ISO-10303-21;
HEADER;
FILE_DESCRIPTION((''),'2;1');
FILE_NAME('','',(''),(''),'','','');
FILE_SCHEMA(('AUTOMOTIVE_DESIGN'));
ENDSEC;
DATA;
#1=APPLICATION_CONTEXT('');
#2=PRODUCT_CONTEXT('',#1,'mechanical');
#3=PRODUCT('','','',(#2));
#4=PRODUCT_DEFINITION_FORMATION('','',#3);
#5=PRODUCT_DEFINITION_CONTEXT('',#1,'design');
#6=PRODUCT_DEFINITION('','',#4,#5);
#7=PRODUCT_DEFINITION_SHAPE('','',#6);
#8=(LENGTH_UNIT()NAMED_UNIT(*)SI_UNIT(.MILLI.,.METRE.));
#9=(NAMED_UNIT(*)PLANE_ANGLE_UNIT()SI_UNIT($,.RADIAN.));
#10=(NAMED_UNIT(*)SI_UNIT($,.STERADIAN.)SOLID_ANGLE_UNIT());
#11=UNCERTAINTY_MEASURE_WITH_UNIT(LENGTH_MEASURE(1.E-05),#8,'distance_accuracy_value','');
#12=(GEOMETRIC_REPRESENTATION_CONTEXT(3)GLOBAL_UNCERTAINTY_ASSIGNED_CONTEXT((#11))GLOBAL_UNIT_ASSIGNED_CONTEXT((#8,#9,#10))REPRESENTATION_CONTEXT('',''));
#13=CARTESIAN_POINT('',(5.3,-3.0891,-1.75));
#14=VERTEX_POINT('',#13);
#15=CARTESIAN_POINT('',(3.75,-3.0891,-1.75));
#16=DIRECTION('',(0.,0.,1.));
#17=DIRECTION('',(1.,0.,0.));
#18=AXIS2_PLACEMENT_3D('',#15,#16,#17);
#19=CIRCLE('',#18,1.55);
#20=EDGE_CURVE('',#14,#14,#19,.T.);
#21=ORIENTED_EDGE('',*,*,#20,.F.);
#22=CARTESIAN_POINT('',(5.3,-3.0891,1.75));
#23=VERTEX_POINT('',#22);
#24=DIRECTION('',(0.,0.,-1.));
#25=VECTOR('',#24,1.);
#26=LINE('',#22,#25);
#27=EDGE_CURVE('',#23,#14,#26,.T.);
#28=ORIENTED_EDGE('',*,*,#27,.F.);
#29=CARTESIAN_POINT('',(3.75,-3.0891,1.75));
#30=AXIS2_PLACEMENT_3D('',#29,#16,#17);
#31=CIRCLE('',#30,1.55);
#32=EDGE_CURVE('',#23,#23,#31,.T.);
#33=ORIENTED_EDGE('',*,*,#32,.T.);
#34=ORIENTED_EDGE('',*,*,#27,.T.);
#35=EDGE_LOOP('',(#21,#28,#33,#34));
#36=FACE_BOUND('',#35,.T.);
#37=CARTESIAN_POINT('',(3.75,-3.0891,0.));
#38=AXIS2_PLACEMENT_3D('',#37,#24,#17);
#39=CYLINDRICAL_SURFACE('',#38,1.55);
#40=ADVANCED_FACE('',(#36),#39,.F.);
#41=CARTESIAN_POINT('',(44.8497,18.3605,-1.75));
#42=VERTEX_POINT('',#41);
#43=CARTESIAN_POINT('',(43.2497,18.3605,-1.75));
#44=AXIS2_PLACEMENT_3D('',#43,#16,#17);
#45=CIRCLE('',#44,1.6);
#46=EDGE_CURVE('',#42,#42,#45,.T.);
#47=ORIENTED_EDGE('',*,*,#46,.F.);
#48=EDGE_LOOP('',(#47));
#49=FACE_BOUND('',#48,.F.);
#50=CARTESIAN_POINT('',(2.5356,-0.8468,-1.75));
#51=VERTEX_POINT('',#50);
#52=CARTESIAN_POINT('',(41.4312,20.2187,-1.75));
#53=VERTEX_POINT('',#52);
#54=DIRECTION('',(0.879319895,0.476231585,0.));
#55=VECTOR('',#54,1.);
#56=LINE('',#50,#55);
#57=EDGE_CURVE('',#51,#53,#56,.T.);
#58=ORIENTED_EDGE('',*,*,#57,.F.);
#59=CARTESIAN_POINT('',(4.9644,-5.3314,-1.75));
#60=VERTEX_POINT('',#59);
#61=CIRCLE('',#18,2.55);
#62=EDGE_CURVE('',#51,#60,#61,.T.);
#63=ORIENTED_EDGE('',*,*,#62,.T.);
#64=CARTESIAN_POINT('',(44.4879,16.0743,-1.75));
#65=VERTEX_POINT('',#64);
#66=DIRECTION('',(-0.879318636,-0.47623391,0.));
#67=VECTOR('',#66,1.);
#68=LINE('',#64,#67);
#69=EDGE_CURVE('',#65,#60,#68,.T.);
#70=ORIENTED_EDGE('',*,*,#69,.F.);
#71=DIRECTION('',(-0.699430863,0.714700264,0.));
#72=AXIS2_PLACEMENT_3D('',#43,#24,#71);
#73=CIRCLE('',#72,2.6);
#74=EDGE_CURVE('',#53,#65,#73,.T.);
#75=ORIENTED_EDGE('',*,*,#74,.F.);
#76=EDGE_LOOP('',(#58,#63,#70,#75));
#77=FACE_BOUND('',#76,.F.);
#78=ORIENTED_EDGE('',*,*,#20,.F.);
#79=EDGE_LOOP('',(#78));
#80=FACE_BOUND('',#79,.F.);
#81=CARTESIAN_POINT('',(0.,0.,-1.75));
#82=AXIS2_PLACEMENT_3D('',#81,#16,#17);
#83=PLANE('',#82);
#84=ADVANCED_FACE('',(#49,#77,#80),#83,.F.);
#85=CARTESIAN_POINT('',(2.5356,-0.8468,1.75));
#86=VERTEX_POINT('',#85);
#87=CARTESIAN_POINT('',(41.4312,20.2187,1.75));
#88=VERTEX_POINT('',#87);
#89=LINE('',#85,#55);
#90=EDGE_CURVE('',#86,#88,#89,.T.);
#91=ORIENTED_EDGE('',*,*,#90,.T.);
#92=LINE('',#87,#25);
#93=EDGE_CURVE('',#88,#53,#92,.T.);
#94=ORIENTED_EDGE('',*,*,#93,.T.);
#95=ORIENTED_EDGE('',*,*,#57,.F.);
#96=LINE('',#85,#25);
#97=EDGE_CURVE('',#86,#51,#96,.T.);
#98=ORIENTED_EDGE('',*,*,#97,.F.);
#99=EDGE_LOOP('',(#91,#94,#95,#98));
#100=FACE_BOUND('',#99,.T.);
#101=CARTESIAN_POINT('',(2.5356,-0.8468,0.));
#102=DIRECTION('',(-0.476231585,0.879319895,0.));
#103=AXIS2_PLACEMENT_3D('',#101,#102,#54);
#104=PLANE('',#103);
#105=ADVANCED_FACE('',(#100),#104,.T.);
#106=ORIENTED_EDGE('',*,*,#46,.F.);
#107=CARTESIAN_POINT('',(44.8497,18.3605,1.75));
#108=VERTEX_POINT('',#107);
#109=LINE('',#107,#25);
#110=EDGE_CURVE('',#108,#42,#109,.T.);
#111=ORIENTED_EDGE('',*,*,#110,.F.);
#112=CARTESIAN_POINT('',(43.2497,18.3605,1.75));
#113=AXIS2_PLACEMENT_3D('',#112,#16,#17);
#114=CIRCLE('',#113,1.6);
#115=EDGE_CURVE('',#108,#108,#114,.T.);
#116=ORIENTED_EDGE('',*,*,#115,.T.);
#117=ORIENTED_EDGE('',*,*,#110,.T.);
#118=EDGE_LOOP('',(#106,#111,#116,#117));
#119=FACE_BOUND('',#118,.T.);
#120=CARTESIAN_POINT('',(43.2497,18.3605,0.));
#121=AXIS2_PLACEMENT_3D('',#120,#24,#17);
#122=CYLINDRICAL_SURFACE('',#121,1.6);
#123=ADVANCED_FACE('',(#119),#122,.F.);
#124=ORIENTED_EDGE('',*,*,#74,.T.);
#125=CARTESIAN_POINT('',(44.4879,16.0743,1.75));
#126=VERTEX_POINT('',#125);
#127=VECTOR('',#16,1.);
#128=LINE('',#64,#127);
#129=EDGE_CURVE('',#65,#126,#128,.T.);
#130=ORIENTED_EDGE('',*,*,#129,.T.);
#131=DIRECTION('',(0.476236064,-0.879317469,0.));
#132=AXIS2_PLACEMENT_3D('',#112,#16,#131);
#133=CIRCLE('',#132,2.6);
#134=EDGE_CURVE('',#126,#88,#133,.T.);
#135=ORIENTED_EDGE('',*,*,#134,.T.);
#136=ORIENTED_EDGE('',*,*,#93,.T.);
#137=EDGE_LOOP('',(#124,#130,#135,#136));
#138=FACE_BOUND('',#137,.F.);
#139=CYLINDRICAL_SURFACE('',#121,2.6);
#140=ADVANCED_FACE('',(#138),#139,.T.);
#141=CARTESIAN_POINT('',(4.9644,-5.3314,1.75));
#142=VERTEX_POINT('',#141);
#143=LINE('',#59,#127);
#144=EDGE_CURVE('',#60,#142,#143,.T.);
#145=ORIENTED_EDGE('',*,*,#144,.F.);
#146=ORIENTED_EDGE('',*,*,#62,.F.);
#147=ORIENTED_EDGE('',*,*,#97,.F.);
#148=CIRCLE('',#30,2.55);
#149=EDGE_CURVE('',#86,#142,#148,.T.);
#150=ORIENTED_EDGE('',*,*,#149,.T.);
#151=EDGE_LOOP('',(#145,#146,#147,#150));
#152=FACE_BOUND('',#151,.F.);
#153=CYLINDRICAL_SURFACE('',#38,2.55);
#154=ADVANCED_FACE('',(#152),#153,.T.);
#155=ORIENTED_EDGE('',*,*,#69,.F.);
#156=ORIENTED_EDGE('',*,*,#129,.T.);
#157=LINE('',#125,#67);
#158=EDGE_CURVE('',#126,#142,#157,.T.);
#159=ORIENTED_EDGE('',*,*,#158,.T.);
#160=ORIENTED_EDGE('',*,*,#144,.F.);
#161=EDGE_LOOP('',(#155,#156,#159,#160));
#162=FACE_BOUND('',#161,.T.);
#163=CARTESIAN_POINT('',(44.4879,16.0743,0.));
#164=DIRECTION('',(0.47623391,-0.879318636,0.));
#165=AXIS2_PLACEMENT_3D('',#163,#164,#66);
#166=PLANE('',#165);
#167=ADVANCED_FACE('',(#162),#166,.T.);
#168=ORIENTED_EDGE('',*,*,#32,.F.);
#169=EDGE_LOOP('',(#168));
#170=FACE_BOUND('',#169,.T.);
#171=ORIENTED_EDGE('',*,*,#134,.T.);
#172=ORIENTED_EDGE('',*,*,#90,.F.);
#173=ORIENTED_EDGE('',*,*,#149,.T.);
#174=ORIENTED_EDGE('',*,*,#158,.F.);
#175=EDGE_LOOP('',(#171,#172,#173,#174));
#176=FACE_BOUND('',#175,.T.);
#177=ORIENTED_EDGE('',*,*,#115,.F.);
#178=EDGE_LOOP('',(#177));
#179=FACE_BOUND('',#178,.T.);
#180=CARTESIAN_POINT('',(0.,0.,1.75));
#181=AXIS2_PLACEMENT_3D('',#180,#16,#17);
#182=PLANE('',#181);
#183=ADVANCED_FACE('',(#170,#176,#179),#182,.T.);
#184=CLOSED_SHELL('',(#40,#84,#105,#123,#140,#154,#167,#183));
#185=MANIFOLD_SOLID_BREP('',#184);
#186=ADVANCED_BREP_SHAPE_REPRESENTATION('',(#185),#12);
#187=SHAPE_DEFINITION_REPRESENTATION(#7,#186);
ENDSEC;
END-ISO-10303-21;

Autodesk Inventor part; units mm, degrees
ref_plane "YZ Plane" through (0, 0, 0) normal (1, 0, 0) x (0, 1, 0)
ref_plane "XZ Plane" through (0, 0, 0) normal (0, 1, 0) x (-1, 0, 0)
ref_plane "XY Plane" through (0, 0, 0) normal (0, 0, 1) x (1, 0, 0)
sketch "Sketch1" plane through (0, 0, 0) normal (0, 0, 1) x (1, 0, 0)
  circle A0 centre (3.75, -3.0891) radius 1.55 projected
  circle A1 centre (43.2497, 18.3605) radius 1.6 projected
  circle A2 centre (3.75, -3.0891) radius 2.55
  circle A3 centre (43.2497, 18.3605) radius 2.6
  line L0 (2.5356, -0.8468) -> (41.4312, 20.2187)
  line L1 (44.4879, 16.0743) -> (4.9644, -5.3314)
  point P0 (0, 0)
  dimension "d0" = 1
  dimension "d1" = 1
extrude "Extrusion1" add sketch "Sketch1" along normal mid plane 3.5
properties part number "Palanca_metacarpo_proxima"
